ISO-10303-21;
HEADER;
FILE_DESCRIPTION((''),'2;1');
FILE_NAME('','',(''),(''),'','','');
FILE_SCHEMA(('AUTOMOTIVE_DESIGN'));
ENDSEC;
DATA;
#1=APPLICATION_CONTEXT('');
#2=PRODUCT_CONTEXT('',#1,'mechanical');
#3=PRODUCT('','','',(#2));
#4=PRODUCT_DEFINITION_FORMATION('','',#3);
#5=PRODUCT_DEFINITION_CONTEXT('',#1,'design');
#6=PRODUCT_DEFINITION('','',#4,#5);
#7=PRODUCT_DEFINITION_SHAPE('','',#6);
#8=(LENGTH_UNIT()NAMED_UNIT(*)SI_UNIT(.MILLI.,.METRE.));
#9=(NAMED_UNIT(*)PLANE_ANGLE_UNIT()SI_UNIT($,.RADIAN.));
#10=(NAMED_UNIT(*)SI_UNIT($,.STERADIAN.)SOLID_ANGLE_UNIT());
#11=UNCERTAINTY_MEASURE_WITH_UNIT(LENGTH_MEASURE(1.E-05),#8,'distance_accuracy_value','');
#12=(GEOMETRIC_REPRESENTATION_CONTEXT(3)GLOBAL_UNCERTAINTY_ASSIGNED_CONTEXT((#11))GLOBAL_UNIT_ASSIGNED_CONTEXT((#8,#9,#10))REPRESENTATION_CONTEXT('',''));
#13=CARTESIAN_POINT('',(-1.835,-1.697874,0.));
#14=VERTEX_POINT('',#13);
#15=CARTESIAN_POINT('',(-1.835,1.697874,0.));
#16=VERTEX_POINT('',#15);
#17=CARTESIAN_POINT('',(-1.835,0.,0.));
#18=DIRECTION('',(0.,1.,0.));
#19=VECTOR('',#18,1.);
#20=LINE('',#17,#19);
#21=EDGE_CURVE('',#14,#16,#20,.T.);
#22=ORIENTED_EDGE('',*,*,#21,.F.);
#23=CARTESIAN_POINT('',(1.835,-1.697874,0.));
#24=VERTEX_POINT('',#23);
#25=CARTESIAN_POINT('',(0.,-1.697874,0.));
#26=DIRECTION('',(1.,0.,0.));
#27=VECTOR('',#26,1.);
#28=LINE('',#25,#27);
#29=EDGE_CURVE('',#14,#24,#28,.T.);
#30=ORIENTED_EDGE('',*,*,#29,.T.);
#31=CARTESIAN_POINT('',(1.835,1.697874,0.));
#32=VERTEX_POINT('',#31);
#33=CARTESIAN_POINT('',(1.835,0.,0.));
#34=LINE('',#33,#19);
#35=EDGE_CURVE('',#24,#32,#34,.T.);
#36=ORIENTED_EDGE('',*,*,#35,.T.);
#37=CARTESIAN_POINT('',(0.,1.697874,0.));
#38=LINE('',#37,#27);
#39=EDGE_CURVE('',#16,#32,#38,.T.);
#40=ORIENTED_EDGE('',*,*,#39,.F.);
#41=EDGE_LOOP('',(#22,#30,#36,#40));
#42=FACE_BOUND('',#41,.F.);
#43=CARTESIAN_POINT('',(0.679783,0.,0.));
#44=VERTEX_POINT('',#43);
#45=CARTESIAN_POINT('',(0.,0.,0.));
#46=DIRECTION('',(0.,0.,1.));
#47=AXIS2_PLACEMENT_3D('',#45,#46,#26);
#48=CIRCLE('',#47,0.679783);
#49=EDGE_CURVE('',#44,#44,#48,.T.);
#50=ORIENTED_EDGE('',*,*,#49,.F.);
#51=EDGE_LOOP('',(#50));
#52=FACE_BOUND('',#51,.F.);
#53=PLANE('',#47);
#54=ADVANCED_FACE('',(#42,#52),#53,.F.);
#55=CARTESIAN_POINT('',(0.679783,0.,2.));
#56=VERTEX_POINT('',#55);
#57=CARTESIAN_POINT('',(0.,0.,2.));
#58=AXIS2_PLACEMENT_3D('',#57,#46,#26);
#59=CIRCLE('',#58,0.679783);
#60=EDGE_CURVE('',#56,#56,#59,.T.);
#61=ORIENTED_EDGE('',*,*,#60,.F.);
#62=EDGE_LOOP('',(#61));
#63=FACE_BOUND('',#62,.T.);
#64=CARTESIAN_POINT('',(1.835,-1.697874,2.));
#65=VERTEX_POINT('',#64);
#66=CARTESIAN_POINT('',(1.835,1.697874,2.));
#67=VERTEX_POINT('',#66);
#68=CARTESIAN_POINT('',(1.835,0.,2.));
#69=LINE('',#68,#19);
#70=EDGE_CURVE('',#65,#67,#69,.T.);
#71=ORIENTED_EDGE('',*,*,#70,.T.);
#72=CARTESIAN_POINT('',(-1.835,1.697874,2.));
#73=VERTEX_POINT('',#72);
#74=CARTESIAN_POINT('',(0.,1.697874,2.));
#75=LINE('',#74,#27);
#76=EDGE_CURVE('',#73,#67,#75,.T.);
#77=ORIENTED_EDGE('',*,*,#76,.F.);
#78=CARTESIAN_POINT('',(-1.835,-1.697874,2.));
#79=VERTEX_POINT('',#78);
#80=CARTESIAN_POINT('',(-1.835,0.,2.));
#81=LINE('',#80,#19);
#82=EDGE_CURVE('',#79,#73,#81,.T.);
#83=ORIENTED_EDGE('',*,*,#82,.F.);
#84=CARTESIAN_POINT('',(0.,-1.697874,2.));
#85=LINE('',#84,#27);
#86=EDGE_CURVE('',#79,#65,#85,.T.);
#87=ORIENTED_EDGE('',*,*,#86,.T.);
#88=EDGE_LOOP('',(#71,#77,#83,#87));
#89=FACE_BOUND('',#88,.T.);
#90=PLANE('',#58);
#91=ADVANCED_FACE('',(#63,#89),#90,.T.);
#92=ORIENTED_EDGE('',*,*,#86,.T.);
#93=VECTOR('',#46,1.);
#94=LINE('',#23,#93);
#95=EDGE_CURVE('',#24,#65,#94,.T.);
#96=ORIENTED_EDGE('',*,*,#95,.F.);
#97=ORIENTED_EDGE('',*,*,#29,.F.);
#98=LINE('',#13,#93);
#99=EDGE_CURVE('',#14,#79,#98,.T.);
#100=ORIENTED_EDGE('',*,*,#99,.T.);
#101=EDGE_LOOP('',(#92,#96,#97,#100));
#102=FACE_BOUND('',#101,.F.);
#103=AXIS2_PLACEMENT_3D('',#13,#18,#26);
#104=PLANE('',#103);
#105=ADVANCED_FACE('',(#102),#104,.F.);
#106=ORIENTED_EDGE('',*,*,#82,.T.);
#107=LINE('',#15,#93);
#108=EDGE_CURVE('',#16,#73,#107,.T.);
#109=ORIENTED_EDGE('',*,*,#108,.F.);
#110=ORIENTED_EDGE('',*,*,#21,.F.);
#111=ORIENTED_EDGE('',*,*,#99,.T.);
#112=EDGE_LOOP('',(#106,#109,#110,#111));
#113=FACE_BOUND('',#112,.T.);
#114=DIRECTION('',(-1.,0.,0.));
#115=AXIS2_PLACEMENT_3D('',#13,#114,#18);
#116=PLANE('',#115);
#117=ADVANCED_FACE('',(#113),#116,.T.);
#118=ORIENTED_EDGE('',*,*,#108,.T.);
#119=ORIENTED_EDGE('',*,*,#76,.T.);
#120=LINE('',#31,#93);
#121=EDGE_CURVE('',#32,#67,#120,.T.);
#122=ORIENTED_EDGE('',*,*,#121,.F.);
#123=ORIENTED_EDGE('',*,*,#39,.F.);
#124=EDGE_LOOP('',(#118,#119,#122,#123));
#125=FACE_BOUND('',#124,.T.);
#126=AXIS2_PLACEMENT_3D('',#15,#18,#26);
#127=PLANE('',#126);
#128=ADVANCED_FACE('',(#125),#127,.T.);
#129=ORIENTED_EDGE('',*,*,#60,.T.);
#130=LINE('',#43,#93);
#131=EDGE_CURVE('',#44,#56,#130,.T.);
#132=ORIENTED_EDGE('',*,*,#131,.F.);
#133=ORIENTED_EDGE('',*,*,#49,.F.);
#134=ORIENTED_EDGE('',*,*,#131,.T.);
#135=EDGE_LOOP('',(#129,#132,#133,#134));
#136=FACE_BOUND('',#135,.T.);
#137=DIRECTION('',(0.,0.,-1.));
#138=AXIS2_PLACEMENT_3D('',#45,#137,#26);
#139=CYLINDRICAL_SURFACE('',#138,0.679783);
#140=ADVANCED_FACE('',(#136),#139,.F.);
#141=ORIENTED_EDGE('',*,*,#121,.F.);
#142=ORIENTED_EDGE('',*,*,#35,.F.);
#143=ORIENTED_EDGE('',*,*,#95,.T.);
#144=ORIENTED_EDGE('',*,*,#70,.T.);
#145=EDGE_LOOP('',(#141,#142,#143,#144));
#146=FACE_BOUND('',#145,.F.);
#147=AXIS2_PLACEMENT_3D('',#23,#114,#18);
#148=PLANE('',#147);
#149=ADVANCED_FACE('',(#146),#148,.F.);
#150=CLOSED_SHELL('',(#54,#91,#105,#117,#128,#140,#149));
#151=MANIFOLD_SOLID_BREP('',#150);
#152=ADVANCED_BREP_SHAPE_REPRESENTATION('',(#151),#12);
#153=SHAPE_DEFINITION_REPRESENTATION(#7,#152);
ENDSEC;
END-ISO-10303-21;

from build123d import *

# Parameters (mm, degrees)
SKETCH_W  = 3.67
SKETCH_H  = 3.395748
SKETCH_R  = 0.679783
PAD_DEPTH = 2


with BuildPart() as part:
    # Sketch → Pad (new body)
    with BuildSketch(Plane.XY):
        Rectangle(SKETCH_W, SKETCH_H)
        Circle(SKETCH_R, mode=Mode.SUBTRACT)
    extrude(amount=PAD_DEPTH)


solid = part.part
